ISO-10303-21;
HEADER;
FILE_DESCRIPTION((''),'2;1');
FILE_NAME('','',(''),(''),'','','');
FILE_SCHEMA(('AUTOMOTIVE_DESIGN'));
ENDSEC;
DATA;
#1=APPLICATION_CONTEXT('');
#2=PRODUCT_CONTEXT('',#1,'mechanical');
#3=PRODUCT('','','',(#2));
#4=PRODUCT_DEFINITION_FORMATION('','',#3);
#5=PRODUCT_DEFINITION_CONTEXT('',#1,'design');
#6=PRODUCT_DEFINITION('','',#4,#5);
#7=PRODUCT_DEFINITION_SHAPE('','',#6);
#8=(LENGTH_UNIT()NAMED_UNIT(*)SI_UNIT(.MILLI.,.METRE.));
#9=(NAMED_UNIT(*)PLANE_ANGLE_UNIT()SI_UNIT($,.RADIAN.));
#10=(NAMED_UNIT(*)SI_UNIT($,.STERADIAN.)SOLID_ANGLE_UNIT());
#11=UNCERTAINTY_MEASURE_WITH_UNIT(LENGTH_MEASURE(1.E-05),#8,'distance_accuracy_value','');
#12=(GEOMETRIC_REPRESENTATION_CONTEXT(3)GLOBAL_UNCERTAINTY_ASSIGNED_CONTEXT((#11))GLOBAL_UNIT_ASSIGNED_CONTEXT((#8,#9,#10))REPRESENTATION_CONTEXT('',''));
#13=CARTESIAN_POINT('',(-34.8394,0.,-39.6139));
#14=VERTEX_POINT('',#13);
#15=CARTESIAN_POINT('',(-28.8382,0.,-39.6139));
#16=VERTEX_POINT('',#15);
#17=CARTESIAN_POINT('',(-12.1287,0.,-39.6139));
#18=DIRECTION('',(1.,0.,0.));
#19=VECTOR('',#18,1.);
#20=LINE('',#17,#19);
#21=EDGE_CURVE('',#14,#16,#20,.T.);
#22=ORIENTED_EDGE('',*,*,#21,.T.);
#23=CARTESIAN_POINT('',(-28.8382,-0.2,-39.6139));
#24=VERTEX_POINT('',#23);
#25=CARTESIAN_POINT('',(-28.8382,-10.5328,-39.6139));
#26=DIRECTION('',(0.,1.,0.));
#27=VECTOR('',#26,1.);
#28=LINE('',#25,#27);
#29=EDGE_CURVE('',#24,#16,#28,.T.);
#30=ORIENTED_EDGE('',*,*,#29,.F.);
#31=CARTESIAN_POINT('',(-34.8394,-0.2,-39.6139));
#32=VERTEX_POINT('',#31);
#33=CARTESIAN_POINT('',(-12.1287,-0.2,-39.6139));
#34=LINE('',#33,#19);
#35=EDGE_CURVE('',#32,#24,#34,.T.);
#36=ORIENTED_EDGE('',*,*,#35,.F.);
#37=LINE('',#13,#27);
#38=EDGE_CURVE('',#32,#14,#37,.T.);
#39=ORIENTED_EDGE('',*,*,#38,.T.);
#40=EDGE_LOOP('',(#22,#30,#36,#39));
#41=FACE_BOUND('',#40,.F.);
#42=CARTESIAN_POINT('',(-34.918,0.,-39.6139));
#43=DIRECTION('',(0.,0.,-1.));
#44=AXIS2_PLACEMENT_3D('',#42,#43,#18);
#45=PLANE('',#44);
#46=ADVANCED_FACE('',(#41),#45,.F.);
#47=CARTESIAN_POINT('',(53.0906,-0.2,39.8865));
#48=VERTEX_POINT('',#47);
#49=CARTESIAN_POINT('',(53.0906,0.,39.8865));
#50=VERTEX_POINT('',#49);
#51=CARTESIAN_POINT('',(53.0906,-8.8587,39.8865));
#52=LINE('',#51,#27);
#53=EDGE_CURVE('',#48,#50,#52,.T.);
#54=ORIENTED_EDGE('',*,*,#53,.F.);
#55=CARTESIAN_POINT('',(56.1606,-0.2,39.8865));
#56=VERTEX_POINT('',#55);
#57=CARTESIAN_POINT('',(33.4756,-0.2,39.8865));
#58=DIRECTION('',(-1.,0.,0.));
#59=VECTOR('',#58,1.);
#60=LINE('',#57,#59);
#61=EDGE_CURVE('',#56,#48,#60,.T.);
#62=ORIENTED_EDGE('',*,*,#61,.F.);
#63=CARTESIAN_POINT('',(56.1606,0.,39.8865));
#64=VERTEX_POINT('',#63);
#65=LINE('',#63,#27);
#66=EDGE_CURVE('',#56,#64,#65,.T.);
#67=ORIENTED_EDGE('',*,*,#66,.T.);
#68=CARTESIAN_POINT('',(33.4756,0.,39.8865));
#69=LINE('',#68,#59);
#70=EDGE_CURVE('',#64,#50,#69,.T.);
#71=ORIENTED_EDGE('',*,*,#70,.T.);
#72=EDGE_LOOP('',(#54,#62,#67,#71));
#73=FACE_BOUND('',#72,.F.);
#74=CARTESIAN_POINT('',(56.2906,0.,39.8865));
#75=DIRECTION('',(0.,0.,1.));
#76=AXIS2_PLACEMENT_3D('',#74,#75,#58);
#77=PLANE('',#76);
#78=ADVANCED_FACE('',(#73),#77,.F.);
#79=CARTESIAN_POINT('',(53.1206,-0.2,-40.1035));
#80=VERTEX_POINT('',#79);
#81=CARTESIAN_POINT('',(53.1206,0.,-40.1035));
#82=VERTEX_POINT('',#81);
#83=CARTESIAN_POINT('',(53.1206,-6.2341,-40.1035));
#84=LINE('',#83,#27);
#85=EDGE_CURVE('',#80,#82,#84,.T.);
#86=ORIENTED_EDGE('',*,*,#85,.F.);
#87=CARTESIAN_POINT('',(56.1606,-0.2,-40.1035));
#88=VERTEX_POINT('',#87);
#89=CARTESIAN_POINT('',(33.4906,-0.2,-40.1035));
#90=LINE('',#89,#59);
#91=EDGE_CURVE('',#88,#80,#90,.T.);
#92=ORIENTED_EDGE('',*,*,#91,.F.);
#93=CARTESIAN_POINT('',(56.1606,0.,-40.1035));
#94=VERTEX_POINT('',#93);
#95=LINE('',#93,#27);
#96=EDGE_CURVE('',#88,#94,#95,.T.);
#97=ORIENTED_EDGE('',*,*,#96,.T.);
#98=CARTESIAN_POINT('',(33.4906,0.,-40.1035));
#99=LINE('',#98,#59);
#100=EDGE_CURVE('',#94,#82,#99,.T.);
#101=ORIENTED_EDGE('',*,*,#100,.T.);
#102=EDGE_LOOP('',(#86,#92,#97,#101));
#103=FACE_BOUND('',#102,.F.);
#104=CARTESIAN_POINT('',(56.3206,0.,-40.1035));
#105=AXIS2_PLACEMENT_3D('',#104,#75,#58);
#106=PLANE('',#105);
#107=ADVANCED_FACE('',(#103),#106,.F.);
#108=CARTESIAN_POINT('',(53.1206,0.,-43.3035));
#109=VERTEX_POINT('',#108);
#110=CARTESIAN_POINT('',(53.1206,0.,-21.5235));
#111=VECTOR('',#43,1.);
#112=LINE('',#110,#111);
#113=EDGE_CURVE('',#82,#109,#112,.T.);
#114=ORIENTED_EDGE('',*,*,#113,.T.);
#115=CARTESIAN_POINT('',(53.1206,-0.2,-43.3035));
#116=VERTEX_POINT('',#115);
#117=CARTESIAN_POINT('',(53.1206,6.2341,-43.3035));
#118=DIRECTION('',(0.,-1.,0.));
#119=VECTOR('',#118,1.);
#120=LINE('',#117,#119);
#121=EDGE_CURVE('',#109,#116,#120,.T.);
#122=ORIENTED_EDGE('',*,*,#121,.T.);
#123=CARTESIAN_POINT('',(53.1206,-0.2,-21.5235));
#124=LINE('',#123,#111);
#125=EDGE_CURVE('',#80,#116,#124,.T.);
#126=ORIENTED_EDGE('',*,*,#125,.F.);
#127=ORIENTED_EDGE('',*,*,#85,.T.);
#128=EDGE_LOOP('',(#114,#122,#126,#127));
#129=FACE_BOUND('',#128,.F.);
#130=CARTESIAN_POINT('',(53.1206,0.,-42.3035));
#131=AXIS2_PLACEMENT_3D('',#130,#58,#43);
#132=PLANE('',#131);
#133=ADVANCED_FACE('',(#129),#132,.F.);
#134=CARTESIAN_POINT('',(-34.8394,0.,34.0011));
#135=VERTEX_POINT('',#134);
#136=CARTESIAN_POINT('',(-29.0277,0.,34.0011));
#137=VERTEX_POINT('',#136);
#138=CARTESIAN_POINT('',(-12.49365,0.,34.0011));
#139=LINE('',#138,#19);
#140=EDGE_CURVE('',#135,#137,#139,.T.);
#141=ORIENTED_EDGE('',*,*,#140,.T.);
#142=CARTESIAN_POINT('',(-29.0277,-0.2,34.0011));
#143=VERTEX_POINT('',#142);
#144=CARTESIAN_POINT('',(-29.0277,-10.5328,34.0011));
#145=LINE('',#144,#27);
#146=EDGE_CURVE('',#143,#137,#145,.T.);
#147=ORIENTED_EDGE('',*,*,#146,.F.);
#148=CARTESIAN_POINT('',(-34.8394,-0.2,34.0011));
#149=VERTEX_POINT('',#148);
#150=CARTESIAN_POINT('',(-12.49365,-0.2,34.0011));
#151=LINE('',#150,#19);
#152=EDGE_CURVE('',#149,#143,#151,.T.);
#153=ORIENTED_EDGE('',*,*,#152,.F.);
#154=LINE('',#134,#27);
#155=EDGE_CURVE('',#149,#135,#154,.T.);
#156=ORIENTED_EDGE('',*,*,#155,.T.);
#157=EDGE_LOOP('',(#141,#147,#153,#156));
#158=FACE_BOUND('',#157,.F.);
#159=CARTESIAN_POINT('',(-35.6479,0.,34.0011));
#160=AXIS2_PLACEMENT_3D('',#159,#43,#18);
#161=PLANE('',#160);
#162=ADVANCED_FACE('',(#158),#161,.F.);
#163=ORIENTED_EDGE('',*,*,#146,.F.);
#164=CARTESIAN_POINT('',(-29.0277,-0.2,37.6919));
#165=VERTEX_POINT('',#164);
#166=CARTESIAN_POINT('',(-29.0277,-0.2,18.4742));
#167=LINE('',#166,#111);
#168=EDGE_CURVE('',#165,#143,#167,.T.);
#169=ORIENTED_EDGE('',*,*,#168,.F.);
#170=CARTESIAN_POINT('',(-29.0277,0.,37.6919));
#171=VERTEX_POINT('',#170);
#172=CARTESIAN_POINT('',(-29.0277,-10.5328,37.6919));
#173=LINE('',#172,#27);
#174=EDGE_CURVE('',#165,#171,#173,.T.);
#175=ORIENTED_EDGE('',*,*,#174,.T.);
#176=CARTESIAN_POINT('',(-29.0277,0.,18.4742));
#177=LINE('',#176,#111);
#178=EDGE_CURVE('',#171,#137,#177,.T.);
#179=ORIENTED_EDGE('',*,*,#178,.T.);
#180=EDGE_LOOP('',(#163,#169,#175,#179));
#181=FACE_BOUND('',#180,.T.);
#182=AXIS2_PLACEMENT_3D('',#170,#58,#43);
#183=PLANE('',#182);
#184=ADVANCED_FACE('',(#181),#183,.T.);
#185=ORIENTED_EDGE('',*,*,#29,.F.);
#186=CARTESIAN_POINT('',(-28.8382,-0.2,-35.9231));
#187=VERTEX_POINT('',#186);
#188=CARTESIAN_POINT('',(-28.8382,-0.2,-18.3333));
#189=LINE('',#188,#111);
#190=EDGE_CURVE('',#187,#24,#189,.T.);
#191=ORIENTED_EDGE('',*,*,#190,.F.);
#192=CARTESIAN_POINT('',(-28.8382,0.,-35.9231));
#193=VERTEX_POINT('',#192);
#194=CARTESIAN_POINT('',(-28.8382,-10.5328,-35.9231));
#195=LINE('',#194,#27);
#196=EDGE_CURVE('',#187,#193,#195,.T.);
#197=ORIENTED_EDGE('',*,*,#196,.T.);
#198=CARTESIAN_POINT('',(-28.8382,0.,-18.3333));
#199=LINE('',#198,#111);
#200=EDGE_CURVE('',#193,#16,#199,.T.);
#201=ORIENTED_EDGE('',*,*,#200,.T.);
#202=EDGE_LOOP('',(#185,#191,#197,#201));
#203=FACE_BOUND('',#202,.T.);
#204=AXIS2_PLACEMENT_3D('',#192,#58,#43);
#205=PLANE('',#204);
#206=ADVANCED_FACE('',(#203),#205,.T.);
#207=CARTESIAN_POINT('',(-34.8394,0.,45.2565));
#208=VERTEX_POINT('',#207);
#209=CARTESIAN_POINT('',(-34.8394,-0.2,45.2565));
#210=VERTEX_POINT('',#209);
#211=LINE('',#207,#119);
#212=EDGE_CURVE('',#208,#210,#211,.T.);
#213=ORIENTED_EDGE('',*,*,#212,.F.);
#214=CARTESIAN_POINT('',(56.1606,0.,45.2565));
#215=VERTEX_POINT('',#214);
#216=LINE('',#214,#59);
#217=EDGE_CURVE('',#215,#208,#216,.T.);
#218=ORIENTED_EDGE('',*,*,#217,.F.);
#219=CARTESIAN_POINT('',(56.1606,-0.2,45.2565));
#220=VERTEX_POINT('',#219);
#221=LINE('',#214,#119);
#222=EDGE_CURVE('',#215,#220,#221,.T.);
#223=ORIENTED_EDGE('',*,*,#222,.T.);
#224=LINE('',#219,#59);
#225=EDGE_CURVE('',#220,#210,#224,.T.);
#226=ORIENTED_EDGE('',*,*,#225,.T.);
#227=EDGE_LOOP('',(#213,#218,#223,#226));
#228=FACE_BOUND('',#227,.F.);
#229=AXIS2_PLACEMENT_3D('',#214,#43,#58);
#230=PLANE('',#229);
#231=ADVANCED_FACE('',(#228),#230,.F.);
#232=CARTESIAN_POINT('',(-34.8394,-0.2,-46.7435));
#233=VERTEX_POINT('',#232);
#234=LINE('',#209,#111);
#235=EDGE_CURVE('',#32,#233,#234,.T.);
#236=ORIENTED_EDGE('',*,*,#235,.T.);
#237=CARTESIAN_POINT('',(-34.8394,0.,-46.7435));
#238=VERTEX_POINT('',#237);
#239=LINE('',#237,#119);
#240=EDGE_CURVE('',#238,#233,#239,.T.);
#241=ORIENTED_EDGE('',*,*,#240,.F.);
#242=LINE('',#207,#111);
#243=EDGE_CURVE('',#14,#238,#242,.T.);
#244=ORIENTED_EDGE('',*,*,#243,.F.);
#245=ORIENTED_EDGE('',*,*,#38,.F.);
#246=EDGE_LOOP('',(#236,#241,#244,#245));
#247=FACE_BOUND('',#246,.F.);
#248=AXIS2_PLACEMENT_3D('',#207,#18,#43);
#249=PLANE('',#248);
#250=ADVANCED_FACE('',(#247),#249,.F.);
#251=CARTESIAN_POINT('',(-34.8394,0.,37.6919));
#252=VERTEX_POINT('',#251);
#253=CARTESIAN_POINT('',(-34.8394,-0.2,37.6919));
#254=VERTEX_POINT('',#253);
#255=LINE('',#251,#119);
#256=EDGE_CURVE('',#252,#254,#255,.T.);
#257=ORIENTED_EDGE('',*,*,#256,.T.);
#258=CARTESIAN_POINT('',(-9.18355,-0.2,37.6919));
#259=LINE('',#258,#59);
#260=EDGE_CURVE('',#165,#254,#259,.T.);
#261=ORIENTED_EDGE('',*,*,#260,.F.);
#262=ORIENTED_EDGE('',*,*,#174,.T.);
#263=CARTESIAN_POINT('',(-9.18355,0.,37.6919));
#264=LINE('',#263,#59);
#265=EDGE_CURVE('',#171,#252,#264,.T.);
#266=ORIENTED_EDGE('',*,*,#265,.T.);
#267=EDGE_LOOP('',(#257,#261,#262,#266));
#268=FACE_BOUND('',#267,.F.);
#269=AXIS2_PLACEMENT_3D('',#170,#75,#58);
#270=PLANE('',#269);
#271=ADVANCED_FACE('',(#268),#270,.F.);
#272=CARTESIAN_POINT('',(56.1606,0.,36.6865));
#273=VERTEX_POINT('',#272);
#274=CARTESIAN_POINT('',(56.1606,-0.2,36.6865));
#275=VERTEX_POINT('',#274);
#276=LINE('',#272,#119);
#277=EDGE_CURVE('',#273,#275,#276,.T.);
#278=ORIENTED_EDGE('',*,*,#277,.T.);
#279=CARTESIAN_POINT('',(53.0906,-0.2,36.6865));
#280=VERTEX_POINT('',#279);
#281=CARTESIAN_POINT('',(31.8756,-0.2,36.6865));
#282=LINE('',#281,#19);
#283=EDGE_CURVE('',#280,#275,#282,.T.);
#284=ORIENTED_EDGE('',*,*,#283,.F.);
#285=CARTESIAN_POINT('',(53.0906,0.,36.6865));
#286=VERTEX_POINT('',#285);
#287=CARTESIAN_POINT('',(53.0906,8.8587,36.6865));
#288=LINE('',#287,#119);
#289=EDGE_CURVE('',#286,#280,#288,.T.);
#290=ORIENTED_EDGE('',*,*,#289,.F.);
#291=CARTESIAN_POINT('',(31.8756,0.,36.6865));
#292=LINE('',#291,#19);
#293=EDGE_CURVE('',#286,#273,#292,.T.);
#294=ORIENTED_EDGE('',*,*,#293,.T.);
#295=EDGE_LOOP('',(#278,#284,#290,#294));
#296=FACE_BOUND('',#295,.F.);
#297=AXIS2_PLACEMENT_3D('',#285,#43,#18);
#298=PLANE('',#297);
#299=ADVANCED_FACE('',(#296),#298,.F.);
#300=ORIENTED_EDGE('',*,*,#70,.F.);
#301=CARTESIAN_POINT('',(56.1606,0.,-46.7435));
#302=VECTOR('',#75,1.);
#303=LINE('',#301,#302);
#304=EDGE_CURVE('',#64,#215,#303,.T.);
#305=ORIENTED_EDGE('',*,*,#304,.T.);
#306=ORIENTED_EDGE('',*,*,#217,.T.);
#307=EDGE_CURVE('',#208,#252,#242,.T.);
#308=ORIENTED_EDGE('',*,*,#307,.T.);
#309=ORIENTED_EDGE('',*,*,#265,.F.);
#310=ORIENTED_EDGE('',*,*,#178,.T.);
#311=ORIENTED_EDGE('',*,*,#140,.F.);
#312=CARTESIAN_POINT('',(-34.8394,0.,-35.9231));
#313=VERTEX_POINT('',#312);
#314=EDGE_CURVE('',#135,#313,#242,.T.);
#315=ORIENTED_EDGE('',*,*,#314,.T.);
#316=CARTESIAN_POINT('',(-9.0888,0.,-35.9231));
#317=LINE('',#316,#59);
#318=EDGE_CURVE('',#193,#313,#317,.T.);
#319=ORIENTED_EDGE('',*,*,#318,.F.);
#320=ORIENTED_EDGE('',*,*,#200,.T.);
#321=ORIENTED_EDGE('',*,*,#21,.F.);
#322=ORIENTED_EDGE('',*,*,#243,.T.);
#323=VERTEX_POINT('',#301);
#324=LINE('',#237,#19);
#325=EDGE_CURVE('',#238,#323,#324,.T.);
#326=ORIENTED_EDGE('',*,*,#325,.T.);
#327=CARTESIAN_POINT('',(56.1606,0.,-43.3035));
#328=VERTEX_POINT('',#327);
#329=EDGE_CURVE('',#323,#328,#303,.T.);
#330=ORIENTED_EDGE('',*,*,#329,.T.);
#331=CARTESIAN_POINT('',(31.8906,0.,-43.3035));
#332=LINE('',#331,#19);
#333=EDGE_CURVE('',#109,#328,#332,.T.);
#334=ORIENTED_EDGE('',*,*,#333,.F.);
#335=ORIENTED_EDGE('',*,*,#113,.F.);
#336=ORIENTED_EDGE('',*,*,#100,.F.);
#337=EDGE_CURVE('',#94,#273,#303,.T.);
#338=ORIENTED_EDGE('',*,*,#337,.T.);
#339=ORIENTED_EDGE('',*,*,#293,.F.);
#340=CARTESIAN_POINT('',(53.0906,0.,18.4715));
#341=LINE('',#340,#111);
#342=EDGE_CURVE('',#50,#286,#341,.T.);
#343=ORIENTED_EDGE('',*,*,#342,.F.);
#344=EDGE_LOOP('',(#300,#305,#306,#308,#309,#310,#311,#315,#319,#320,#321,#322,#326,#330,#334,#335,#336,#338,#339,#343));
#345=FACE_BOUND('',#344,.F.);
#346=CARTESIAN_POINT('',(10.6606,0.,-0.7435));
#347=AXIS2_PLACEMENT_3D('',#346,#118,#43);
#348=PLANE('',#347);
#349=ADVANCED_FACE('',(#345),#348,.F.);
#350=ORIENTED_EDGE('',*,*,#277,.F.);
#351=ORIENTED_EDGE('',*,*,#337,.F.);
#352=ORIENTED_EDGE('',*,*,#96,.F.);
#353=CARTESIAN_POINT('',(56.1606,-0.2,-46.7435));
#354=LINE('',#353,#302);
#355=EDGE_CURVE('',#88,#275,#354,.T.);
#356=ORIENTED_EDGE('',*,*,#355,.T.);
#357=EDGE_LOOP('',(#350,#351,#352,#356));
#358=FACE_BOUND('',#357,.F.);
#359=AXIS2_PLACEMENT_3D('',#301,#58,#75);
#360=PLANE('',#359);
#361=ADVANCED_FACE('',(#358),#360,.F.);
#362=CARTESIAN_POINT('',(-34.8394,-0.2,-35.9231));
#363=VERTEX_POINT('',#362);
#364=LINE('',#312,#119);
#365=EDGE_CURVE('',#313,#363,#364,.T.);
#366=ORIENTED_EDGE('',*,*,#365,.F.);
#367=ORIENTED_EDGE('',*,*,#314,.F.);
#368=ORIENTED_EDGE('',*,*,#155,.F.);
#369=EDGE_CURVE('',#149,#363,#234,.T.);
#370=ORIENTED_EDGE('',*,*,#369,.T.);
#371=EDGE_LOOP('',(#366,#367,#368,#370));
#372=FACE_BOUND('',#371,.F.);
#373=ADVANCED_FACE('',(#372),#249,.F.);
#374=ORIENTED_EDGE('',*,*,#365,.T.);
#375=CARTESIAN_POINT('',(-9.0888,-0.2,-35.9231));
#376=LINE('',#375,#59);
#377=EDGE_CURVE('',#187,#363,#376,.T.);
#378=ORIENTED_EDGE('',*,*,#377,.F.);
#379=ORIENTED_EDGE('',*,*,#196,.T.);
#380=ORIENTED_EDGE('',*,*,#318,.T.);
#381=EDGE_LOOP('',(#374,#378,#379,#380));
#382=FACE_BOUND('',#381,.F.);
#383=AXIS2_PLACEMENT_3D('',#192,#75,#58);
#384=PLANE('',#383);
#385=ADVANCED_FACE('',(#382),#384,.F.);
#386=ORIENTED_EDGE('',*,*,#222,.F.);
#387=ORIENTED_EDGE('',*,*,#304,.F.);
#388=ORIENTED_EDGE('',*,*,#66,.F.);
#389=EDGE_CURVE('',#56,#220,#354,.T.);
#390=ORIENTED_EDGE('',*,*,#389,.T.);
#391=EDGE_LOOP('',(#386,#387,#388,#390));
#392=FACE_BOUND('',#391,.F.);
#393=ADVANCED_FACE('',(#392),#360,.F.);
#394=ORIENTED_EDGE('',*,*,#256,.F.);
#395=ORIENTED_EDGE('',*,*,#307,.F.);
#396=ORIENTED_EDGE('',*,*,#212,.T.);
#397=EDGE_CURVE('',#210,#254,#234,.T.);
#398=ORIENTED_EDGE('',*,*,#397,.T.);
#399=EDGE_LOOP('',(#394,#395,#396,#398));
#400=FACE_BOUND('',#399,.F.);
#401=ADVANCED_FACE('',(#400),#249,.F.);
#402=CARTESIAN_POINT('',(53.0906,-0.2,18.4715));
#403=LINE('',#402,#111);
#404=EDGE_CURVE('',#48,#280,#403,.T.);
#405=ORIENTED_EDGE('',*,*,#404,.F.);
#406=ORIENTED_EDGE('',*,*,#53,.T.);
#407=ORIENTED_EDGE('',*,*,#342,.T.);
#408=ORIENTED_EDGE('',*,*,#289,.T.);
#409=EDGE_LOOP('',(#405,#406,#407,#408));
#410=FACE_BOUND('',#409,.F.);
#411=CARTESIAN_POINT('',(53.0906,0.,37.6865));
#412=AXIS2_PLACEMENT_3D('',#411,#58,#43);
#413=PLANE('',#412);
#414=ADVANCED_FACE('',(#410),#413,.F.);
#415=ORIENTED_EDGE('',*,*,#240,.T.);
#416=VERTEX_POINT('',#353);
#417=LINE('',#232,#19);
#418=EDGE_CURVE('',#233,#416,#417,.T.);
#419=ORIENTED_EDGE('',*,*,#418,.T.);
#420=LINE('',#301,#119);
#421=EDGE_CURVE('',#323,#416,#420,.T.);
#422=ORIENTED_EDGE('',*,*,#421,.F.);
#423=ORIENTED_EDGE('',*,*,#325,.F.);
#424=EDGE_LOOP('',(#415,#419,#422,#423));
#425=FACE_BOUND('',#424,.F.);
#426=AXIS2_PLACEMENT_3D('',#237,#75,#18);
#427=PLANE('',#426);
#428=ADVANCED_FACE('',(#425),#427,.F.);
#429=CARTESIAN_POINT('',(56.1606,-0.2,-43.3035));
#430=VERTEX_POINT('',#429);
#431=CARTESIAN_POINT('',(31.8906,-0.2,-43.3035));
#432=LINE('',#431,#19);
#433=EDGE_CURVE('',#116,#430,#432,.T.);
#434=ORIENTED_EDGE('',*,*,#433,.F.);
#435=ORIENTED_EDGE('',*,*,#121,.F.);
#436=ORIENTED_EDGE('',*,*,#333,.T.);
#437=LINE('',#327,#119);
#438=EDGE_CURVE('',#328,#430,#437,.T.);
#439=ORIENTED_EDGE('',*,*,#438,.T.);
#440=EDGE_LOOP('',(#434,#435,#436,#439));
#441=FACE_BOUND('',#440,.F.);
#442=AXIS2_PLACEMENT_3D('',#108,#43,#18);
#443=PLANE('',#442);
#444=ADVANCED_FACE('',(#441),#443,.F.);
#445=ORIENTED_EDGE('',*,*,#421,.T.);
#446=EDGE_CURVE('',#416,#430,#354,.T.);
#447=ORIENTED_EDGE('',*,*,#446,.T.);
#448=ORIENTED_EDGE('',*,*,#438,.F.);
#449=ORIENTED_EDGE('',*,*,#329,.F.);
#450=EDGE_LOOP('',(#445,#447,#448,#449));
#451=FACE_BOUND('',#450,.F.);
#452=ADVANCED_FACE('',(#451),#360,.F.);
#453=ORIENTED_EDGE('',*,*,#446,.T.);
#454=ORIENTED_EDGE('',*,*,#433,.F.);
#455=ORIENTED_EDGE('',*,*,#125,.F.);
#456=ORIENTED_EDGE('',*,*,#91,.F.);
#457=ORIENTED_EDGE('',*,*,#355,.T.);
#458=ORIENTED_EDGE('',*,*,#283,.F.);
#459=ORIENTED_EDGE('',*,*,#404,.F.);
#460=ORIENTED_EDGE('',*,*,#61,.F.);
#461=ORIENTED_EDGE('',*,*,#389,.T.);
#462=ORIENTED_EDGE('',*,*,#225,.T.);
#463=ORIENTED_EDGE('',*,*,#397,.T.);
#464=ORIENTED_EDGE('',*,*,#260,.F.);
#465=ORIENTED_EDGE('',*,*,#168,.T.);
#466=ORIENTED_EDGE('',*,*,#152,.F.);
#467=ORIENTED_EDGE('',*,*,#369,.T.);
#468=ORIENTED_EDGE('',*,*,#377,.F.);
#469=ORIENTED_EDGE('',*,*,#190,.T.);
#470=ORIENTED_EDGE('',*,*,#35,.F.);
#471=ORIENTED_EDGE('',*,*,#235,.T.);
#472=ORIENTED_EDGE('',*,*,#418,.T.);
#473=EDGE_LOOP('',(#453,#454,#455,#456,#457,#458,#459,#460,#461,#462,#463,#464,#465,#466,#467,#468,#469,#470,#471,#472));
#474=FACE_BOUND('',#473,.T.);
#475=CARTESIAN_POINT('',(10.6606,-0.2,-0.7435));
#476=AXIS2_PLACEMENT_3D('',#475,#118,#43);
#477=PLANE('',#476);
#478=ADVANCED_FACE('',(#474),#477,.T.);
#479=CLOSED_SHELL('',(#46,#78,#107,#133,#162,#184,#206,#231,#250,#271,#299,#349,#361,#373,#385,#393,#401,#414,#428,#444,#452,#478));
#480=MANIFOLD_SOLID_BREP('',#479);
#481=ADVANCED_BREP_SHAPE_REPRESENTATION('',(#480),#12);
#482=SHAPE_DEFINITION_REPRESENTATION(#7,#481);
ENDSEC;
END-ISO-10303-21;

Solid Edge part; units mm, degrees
sketch "Sketch1" plane through (12.1606, 0, 0.2565) normal (0, -1, 0) x (1, 0, 0)
  line L0 (-47, -47) -> (44, -47)
  line L1 (44, -47) -> (44, 45)
  line L2 (44, 45) -> (-47, 45)
  line L3 (-47, 45) -> (-47, -47)
  dimension "D1" = 91
  dimension "D2" = 92
extrude "ExtrudedProtrusion_1" add sketch "Sketch1" along normal blind 0.2
sketch "Sketch2" plane through (0, -0.2, 0) normal (0, -1, 0) x (1, 0, 0)
  circle A0 centre (-30.7894, -37.7535) radius 1.59
  circle A1 centre (54.6906, 38.2865) radius 1.59
  circle A2 centre (54.7206, -41.7035) radius 1.59
  circle A3 centre (-31.0894, 35.8465) radius 1.59
  dimension "D1" = 3.18
  dimension "D2" = 3.18
extrude "Cutout1" cut sketch "Sketch2" against normal up to next
sketch "Sketch3" plane through (10.6606, 0, -0.7435) normal (0, 1, 0) x (0, 0, 1)
  line L0 (-41.56, 42.46) -> (-42.56, 42.46)
  line L1 (-42.56, 42.46) -> (-42.56, 45.66)
  line L2 (-42.56, 45.66) -> (-39.36, 45.66)
  line L3 (-39.36, 45.66) -> (-39.36, 42.46)
  line L4 (-39.36, 42.46) -> (-41.56, 42.46)
extrude "ExtrudedCutout_2" cut sketch "Sketch3" along normal mid plane 12.4682
sketch "Sketch4" plane through (10.6606, 0, -0.7435) normal (0, 1, 0) x (0, 0, 1)
  line L0 (38.43, 42.43) -> (37.43, 42.43)
  line L1 (37.43, 42.43) -> (37.43, 45.63)
  line L2 (37.43, 45.63) -> (40.63, 45.63)
  line L3 (40.63, 45.63) -> (40.63, 42.43)
  line L4 (40.63, 42.43) -> (38.43, 42.43)
extrude "ExtrudedCutout_3" cut sketch "Sketch4" along normal mid plane 17.7174
sketch "Sketch5" plane through (10.6606, 0, -0.7435) normal (0, 1, 0) x (0, 0, -1)
  line L0 (-38.4354, 39.6883) -> (-38.4354, 46.3085)
  line L1 (-38.4354, 46.3085) -> (-34.7446, 46.3085)
  line L2 (-34.7446, 46.3085) -> (-34.7446, 39.6883)
  line L3 (-38.4354, 39.6883) -> (-34.7446, 39.6883)
  line L4 (35.1796, 39.4988) -> (35.1796, 45.5786)
  line L5 (35.1796, 45.5786) -> (38.8704, 45.5786)
  line L6 (38.8704, 45.5786) -> (38.8704, 39.4988)
  line L7 (35.1796, 39.4988) -> (38.8704, 39.4988)
extrude "ExtrudedCutout_4" cut sketch "Sketch5" along normal mid plane 21.0656
properties material "Copper"
